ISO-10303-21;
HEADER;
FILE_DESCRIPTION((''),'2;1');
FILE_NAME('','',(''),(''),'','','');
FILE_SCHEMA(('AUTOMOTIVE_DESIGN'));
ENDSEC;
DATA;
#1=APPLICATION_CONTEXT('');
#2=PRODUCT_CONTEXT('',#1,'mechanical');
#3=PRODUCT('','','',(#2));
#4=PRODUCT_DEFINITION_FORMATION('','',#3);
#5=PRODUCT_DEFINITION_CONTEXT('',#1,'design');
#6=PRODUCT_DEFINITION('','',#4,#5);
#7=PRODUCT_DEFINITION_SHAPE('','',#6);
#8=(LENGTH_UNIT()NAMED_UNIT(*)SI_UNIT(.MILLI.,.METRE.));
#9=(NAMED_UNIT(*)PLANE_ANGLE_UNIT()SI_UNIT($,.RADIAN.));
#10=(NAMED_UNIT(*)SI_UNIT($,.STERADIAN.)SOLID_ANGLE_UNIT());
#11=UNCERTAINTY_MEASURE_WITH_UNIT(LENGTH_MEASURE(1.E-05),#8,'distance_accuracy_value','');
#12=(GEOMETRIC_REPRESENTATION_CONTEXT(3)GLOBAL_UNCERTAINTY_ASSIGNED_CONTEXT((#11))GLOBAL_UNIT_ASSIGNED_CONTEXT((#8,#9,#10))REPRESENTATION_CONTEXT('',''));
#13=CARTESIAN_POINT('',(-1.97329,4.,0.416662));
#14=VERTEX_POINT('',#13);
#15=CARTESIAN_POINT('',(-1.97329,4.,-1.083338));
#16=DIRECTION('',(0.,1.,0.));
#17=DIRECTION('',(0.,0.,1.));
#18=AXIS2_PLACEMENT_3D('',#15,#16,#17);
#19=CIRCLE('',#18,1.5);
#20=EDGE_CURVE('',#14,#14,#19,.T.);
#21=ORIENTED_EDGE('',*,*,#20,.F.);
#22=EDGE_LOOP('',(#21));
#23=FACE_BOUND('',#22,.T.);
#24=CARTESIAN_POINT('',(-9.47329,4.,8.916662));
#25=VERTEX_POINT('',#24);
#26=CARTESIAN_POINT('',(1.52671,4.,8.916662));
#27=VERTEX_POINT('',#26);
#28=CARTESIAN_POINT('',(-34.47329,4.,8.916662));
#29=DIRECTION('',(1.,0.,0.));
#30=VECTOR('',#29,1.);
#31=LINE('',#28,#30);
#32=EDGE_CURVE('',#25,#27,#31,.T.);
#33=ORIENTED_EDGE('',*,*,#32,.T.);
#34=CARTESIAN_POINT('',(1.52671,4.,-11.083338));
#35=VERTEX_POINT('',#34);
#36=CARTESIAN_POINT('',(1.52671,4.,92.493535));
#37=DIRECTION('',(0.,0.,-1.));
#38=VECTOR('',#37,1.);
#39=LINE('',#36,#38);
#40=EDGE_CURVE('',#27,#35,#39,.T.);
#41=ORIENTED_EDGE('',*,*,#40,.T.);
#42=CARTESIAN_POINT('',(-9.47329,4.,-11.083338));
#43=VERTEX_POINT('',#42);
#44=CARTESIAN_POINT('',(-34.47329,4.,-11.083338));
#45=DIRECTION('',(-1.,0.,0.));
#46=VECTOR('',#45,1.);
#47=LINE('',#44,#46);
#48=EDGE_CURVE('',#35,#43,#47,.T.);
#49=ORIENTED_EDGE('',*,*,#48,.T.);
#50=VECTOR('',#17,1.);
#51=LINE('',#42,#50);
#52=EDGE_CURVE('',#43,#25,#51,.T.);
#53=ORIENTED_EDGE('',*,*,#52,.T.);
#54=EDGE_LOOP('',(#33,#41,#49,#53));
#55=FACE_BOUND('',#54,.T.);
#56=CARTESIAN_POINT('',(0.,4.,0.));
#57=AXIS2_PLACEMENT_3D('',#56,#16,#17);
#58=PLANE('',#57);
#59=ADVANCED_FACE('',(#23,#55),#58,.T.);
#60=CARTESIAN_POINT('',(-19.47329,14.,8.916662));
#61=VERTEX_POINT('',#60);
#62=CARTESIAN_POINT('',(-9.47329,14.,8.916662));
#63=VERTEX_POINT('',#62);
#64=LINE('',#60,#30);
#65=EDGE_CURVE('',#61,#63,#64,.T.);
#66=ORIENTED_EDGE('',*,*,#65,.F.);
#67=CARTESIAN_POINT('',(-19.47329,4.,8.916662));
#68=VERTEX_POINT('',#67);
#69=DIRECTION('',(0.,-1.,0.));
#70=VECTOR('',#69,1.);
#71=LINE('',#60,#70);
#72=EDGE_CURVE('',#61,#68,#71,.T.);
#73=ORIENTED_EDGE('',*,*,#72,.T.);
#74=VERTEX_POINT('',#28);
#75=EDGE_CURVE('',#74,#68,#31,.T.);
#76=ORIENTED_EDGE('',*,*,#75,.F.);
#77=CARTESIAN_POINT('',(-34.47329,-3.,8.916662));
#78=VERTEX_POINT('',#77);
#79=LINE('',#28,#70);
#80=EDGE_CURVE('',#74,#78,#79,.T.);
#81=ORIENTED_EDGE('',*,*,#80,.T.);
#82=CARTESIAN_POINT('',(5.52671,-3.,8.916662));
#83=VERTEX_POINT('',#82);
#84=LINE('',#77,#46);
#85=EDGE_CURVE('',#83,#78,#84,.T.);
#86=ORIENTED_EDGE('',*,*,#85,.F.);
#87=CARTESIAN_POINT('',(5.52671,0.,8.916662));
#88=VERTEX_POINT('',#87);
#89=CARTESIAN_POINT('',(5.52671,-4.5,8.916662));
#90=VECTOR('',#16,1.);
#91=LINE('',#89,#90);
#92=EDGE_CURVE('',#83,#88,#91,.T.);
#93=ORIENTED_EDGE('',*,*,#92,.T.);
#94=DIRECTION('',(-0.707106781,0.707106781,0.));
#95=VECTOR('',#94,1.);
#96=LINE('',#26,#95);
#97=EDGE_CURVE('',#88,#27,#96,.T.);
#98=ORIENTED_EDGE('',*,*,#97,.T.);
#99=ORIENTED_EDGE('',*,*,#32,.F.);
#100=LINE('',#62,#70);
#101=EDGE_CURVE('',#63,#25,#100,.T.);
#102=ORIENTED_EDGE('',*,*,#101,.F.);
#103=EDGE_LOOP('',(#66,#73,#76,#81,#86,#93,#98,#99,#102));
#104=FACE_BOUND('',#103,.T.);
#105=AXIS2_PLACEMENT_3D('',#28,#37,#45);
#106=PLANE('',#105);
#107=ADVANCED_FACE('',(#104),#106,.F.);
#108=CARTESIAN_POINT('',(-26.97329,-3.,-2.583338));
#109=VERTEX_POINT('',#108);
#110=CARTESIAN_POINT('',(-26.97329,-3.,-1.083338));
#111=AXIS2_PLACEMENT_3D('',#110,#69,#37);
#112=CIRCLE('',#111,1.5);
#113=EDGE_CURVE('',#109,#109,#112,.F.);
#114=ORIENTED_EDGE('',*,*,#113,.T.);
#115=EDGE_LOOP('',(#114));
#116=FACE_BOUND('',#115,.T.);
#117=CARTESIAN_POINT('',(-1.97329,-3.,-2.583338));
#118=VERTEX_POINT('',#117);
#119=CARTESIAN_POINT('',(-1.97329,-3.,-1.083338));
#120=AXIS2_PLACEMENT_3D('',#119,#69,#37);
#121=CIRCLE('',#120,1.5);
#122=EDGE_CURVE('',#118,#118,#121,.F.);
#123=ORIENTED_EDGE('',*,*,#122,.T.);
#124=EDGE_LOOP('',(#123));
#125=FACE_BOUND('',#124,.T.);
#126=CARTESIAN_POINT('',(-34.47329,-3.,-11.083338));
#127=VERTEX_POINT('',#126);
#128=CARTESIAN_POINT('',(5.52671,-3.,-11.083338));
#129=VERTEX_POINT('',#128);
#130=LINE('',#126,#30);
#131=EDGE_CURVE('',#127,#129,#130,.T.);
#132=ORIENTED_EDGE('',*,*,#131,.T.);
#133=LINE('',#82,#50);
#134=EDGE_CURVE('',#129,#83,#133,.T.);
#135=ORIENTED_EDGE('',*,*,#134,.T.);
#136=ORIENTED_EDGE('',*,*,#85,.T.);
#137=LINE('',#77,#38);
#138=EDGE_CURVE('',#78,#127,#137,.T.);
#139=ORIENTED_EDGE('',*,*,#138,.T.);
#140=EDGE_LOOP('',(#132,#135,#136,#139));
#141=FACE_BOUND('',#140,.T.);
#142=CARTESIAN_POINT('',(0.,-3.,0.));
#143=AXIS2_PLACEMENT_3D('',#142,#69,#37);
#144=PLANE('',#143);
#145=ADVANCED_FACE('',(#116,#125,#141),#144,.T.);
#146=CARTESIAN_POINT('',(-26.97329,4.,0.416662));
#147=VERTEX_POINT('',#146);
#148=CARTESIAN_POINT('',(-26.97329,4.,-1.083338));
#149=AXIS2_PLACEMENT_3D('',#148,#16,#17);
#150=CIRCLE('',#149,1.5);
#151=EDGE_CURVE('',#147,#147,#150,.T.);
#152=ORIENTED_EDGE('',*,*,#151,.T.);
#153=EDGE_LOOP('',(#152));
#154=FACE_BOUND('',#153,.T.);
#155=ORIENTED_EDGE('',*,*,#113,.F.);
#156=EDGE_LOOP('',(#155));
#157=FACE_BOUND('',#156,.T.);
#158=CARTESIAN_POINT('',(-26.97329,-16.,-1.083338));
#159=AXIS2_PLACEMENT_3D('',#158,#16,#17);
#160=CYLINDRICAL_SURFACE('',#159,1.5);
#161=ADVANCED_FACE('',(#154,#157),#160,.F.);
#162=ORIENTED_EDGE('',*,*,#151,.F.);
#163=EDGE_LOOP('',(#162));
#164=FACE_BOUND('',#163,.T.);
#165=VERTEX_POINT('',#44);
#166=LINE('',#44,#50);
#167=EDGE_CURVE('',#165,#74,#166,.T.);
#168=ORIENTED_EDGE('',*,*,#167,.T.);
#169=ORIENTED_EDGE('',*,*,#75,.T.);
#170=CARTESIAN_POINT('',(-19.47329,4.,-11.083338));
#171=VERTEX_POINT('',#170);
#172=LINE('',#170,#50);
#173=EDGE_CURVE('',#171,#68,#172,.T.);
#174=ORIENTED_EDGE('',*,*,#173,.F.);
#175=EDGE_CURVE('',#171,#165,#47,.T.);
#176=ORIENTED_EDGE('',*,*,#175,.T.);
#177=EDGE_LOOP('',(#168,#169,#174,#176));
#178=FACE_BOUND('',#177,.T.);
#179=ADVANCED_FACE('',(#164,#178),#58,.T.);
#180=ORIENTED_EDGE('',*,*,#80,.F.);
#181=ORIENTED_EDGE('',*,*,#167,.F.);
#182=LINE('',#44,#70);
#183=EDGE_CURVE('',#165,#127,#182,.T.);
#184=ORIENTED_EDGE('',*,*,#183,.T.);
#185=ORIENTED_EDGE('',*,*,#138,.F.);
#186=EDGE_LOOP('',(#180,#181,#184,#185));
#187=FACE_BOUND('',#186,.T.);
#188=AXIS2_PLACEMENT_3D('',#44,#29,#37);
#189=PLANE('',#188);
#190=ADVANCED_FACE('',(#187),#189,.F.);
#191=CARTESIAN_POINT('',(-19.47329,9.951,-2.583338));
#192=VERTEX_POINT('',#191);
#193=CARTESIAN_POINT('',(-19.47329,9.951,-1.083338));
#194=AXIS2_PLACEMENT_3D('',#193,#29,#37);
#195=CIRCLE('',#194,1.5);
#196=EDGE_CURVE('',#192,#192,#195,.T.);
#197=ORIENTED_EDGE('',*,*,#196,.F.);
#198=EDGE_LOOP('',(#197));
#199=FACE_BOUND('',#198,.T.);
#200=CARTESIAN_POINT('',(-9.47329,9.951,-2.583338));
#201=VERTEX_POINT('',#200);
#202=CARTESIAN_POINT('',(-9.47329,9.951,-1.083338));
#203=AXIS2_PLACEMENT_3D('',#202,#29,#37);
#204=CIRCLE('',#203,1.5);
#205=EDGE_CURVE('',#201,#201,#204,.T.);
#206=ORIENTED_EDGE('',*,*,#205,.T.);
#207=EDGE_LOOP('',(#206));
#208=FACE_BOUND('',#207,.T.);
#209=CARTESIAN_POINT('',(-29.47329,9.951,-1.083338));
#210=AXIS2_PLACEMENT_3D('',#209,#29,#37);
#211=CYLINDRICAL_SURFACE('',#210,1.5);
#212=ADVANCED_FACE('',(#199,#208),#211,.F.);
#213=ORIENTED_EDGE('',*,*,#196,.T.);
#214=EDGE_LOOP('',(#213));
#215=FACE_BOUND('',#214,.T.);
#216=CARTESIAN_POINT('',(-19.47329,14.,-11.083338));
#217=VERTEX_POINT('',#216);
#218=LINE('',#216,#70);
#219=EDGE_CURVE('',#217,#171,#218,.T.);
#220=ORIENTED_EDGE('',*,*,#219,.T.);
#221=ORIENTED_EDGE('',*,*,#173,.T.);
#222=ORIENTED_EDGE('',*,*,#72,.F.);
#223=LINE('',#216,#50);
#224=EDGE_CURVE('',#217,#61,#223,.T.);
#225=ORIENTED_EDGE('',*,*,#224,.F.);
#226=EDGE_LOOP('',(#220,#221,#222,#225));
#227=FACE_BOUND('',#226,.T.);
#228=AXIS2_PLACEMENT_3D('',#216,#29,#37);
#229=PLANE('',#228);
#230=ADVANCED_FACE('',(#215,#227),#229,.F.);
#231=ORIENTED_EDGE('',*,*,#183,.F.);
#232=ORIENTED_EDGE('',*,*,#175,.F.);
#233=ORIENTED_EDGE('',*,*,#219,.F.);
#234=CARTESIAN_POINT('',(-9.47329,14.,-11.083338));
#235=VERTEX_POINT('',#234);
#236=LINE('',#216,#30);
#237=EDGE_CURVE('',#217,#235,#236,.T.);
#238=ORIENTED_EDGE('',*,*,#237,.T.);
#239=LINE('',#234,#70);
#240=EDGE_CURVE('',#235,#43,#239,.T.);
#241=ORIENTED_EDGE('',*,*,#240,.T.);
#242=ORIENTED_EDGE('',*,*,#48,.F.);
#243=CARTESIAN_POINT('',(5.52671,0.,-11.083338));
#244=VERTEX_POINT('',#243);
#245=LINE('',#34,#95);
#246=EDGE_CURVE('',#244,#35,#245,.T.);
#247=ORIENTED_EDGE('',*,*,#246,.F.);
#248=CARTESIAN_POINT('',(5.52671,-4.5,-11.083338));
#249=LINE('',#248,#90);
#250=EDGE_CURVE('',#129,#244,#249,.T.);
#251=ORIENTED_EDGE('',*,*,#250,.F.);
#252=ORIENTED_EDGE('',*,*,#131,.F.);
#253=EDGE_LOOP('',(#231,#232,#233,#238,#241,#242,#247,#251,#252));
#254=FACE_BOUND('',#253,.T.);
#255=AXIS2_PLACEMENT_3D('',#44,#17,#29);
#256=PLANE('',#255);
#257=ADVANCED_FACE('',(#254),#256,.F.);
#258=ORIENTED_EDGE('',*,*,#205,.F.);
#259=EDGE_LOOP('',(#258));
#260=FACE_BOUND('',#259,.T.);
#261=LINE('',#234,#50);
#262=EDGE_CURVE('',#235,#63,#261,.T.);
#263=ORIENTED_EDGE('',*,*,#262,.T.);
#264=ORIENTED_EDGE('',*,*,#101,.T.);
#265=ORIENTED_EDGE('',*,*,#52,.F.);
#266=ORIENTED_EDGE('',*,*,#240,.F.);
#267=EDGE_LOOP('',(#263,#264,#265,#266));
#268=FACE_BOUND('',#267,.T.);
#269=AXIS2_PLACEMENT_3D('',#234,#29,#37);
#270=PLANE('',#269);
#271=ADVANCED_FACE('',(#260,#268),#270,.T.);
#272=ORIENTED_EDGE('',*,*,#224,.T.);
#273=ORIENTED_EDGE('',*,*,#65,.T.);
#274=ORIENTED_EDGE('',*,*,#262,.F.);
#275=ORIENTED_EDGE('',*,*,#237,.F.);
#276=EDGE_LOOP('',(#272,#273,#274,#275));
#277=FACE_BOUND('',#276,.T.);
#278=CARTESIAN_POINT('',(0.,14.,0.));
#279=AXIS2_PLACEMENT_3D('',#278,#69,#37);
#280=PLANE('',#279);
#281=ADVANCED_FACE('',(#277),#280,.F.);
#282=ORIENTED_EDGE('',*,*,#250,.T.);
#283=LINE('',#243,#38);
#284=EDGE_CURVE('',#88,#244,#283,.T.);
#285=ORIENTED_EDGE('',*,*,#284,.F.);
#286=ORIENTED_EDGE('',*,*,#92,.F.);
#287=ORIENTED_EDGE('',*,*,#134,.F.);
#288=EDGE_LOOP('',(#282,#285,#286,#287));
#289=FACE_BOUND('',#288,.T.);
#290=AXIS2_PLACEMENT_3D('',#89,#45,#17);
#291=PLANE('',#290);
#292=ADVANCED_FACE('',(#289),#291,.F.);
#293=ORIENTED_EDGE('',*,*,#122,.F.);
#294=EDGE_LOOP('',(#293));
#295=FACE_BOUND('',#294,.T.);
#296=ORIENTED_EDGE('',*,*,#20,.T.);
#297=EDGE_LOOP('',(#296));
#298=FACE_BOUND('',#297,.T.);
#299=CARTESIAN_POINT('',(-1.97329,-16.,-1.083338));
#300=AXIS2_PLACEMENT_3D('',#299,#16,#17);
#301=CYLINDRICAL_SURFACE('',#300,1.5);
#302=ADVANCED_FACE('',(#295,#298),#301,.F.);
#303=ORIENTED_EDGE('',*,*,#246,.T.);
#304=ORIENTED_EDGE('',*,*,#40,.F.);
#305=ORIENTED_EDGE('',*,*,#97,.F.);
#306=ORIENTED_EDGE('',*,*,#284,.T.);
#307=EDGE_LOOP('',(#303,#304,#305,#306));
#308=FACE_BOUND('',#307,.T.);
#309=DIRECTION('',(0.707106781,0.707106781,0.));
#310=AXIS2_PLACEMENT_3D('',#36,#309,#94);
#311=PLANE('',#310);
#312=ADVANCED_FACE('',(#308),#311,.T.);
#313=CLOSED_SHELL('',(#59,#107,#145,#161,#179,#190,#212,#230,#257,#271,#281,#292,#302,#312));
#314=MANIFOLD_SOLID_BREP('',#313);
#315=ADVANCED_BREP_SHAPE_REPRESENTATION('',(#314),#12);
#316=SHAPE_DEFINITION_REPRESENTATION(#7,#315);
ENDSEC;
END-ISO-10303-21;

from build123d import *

# Parameters (mm, degrees)
SKETCH1_W               = 40
SKETCH1_H               = 20
BOSS_EXTRUDE1_DEPTH     = 4
SKETCH2_W               = 10
SKETCH2_H               = 20
BOSS_EXTRUDE2_DEPTH     = 10
SKETCH3_R               = 1.5
CUT_EXTRUDE1_DEPTH      = 20
SKETCH4_R               = 1.5
CUT_EXTRUDE2_DEPTH      = 20
CUT_EXTRUDE3_DEPTH      = 43.242250662
CUT_EXTRUDE3_DEPTH_BACK = 20
SKETCH6_W               = 40
SKETCH6_H               = 20
BOSS_EXTRUDE3_DEPTH     = 4.5
CUT_EXTRUDE5_DEPTH      = 4.5
CUT_EXTRUDE6_DEPTH      = 14.5
SKETCH9_W               = 40
SKETCH9_H               = 20
CUT_EXTRUDE7_DEPTH      = 1.5


with BuildPart() as part:
    # Sketch1 → Boss-Extrude1 (new body)
    with BuildSketch(Plane(origin=(0, 0, 0), x_dir=(1, 0, 0), z_dir=(0, 1, 0))):
        with Locations((-14.473290255, 1.083337988)):
            Rectangle(SKETCH1_W, SKETCH1_H)
    extrude(amount=BOSS_EXTRUDE1_DEPTH)

    # Sketch2 → Boss-Extrude2 (add)
    with BuildSketch(Plane(origin=(0, 4, 0), x_dir=(1, 0, 0), z_dir=(0, 1, 0))):
        with Locations((-14.473290255, 1.083337988)):
            Rectangle(SKETCH2_W, SKETCH2_H)
    extrude(amount=BOSS_EXTRUDE2_DEPTH)

    # Sketch3 → Cut-Extrude1 (cut)
    with BuildSketch(Plane(origin=(-9.473290255, 0, 0), x_dir=(0, 0, -1), z_dir=(1, 0, 0))):
        with Locations((1.083337988, 9.951)):
            Circle(SKETCH3_R)
    extrude(amount=-CUT_EXTRUDE1_DEPTH, mode=Mode.SUBTRACT)

    # Sketch4 → Cut-Extrude2 (cut)
    with BuildSketch(Plane(origin=(0, 4, 0), x_dir=(1, 0, 0), z_dir=(0, 1, 0))):
        with BuildLine():
            ThreePointArc((-1.073290255, 2.283337988), (-3.173290255, 1.983337988), (-2.873290255, -0.116662012))
            Line((-2.873290255, -0.116662012), (-1.073290255, 2.283337988))
        make_face()
        with BuildLine():
            Line((-1.073290255, 2.283337988), (-2.873290255, -0.116662012))
            ThreePointArc((-2.873290255, -0.116662012), (-1.302469862, -0.258302799), (-0.473290255, 1.083337988))
            ThreePointArc((-0.473290255, 1.083337988), (-0.631649468, 1.754158381), (-1.073290255, 2.283337988))
        make_face()
        with Locations(Location((-26.973290255, 1.083337988, 0), (0, 0, 270))):
            Circle(SKETCH4_R)
    extrude(amount=-CUT_EXTRUDE2_DEPTH, mode=Mode.SUBTRACT)

    # Sketch5 → Cut-Extrude3 (cut, two sides)
    with BuildSketch(Plane.XY.offset(8.916662012)) as cut_extrude3_sk:
        Polygon((100.285190147, 4), (5.526709745, 4), (1.526709745, 4), (5.526709745, 0), (72.531073812, -67.004364067), (249.0428395, -135.999110287), (276.796955834, -64.99474622), align=None)
    extrude(amount=CUT_EXTRUDE3_DEPTH, mode=Mode.SUBTRACT)
    extrude(cut_extrude3_sk.sketch, amount=-CUT_EXTRUDE3_DEPTH_BACK, mode=Mode.SUBTRACT)

    # Sketch6 → Boss-Extrude3 (add)
    with BuildSketch(Plane.XZ):
        with Locations((-14.473290255, -1.083337988)):
            Rectangle(SKETCH6_W, SKETCH6_H)
    extrude(amount=BOSS_EXTRUDE3_DEPTH)

    # Sketch7 → Cut-Extrude5 (cut)
    with BuildSketch(Plane(origin=(0, 0, 0), x_dir=(1, 0, 0), z_dir=(0, 1, 0))):
        with BuildLine():
            ThreePointArc((-0.473290255, 1.083337988), (-1.973290255, 2.583337988), (-3.473290255, 1.083337988))
            Line((-3.473290255, 1.083337988), (-0.473290255, 1.083337988))
        make_face()
        with BuildLine():
            Line((-0.473290255, 1.083337988), (-3.473290255, 1.083337988))
            ThreePointArc((-3.473290255, 1.083337988), (-1.973290255, -0.416662012), (-0.473290255, 1.083337988))
        make_face()
    extrude(amount=-CUT_EXTRUDE5_DEPTH, mode=Mode.SUBTRACT)

    # Sketch8 → Cut-Extrude6 (cut)
    with BuildSketch(Plane(origin=(0, 4, 0), x_dir=(1, 0, 0), z_dir=(0, 1, 0))):
        with BuildLine():
            ThreePointArc((-25.473290255, 1.083337988), (-26.973290255, 2.583337988), (-28.473290255, 1.083337988))
            Line((-28.473290255, 1.083337988), (-25.473290255, 1.083337988))
        make_face()
        with BuildLine():
            Line((-25.473290255, 1.083337988), (-28.473290255, 1.083337988))
            ThreePointArc((-28.473290255, 1.083337988), (-26.973290255, -0.416662012), (-25.473290255, 1.083337988))
        make_face()
    extrude(amount=-CUT_EXTRUDE6_DEPTH, mode=Mode.SUBTRACT)

    # Sketch9 → Cut-Extrude7 (cut)
    with BuildSketch(Plane(origin=(0, -4.5, 0), x_dir=(-1, 0, 0), z_dir=(0, -1, 0))):
        with Locations((14.473290255, 1.083337988)):
            Rectangle(SKETCH9_W, SKETCH9_H)
    extrude(amount=-CUT_EXTRUDE7_DEPTH, mode=Mode.SUBTRACT)


solid = part.part
